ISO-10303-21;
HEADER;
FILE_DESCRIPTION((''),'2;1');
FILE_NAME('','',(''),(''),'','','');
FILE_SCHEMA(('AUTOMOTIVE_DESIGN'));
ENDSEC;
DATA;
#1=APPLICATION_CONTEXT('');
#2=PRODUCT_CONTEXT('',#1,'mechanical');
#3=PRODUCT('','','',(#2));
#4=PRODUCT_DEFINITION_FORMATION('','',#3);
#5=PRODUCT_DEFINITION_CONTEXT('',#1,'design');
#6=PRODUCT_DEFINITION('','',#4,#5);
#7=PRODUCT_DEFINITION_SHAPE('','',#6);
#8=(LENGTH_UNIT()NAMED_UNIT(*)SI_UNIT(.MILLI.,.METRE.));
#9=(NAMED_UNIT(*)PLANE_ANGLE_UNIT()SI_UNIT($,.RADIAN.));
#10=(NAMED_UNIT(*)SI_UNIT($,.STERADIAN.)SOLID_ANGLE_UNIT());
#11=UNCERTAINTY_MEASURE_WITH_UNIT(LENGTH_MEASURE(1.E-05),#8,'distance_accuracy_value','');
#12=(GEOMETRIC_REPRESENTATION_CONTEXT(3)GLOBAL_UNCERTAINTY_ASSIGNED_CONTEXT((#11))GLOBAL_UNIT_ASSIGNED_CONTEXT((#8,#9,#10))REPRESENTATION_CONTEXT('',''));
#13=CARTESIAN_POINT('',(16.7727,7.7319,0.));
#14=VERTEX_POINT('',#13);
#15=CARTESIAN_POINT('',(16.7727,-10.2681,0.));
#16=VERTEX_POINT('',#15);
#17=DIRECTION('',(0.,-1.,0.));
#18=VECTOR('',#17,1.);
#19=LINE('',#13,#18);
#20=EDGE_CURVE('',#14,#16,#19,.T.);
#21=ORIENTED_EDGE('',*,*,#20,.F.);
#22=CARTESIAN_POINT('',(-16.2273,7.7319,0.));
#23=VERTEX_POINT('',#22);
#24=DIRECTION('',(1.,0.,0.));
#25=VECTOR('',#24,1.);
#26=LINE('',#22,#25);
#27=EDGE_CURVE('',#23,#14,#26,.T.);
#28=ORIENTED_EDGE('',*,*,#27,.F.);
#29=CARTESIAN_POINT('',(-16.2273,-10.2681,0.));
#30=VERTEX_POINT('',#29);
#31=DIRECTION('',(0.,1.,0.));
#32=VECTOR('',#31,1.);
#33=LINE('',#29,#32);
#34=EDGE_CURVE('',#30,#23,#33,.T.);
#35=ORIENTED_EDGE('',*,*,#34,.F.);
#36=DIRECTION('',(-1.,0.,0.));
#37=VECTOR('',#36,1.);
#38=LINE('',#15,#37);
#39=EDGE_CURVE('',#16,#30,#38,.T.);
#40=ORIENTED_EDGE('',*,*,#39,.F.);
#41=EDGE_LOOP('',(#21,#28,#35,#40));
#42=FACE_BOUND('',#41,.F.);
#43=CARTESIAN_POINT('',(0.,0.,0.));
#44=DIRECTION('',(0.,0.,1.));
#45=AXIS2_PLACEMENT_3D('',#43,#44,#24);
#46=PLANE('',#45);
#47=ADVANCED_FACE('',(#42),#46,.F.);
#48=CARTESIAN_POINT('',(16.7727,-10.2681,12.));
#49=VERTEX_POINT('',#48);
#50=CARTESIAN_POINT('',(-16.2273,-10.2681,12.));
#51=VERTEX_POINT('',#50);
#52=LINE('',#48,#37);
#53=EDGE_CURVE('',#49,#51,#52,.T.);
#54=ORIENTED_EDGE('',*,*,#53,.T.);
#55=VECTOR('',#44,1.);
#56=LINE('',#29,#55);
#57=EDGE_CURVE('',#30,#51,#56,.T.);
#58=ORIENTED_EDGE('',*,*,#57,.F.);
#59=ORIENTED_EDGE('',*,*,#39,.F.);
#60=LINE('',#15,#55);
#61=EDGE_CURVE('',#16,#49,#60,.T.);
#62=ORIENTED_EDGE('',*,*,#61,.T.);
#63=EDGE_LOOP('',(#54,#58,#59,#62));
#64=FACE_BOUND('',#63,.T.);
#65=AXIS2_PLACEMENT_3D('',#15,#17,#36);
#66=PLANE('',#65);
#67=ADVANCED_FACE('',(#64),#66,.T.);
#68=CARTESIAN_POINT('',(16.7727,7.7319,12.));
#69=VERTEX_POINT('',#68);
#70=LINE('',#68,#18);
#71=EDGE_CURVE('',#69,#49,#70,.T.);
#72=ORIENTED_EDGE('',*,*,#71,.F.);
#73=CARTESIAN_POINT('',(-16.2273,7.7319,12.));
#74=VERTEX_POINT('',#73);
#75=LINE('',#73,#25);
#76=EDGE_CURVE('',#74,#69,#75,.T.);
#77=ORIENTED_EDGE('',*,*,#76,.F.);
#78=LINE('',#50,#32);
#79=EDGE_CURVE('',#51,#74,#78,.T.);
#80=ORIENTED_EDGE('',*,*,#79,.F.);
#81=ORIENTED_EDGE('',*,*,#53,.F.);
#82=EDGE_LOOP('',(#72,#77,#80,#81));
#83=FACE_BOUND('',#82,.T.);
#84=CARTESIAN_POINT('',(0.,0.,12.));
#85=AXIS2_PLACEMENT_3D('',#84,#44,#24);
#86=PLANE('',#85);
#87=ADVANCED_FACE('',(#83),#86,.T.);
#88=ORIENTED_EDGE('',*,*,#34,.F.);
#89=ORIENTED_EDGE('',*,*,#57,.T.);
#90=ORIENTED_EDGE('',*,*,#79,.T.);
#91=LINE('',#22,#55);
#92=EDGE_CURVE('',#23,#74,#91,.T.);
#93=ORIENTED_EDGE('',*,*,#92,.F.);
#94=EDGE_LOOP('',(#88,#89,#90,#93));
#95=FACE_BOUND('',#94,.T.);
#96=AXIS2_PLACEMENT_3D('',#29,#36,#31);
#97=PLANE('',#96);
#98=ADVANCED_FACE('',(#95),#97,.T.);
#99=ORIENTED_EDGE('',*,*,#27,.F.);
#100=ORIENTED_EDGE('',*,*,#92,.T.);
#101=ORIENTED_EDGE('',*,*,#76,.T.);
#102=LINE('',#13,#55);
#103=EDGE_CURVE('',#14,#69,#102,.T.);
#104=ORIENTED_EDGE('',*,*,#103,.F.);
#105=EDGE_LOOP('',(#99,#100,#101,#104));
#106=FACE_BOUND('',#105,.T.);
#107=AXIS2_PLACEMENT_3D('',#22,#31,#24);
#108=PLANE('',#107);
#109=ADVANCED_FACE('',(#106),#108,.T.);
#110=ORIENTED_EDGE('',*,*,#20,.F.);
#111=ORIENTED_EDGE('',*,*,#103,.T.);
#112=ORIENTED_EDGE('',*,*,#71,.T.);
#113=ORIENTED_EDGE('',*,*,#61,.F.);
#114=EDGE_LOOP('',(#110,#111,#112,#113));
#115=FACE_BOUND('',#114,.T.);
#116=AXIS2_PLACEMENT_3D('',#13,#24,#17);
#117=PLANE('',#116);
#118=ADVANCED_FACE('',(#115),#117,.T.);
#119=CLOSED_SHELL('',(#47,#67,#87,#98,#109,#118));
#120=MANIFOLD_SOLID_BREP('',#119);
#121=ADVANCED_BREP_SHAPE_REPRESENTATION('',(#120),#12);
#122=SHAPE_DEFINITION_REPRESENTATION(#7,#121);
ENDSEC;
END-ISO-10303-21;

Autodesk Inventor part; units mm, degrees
ref_plane "YZ Plane" through (0, 0, 0) normal (1, 0, 0) x (0, 1, 0)
ref_plane "XZ Plane" through (0, 0, 0) normal (0, 1, 0) x (-1, 0, 0)
ref_plane "XY Plane" through (0, 0, 0) normal (0, 0, 1) x (1, 0, 0)
sketch "Sketch1" plane through (0, 0, 0) normal (0, 0, 1) x (1, 0, 0)
  line L0 (-16.2273, 7.7319) -> (16.7727, 7.7319)
  line L1 (16.7727, 7.7319) -> (16.7727, -10.2681)
  line L2 (16.7727, -10.2681) -> (-16.2273, -10.2681)
  line L3 (-16.2273, -10.2681) -> (-16.2273, 7.7319)
  point P0 (0, 0)
  dimension "d0" = 33
  dimension "d1" = 18
extrude "Extrusion1" add sketch "Sketch1" along normal blind 12
properties part number "arduinopromini"
